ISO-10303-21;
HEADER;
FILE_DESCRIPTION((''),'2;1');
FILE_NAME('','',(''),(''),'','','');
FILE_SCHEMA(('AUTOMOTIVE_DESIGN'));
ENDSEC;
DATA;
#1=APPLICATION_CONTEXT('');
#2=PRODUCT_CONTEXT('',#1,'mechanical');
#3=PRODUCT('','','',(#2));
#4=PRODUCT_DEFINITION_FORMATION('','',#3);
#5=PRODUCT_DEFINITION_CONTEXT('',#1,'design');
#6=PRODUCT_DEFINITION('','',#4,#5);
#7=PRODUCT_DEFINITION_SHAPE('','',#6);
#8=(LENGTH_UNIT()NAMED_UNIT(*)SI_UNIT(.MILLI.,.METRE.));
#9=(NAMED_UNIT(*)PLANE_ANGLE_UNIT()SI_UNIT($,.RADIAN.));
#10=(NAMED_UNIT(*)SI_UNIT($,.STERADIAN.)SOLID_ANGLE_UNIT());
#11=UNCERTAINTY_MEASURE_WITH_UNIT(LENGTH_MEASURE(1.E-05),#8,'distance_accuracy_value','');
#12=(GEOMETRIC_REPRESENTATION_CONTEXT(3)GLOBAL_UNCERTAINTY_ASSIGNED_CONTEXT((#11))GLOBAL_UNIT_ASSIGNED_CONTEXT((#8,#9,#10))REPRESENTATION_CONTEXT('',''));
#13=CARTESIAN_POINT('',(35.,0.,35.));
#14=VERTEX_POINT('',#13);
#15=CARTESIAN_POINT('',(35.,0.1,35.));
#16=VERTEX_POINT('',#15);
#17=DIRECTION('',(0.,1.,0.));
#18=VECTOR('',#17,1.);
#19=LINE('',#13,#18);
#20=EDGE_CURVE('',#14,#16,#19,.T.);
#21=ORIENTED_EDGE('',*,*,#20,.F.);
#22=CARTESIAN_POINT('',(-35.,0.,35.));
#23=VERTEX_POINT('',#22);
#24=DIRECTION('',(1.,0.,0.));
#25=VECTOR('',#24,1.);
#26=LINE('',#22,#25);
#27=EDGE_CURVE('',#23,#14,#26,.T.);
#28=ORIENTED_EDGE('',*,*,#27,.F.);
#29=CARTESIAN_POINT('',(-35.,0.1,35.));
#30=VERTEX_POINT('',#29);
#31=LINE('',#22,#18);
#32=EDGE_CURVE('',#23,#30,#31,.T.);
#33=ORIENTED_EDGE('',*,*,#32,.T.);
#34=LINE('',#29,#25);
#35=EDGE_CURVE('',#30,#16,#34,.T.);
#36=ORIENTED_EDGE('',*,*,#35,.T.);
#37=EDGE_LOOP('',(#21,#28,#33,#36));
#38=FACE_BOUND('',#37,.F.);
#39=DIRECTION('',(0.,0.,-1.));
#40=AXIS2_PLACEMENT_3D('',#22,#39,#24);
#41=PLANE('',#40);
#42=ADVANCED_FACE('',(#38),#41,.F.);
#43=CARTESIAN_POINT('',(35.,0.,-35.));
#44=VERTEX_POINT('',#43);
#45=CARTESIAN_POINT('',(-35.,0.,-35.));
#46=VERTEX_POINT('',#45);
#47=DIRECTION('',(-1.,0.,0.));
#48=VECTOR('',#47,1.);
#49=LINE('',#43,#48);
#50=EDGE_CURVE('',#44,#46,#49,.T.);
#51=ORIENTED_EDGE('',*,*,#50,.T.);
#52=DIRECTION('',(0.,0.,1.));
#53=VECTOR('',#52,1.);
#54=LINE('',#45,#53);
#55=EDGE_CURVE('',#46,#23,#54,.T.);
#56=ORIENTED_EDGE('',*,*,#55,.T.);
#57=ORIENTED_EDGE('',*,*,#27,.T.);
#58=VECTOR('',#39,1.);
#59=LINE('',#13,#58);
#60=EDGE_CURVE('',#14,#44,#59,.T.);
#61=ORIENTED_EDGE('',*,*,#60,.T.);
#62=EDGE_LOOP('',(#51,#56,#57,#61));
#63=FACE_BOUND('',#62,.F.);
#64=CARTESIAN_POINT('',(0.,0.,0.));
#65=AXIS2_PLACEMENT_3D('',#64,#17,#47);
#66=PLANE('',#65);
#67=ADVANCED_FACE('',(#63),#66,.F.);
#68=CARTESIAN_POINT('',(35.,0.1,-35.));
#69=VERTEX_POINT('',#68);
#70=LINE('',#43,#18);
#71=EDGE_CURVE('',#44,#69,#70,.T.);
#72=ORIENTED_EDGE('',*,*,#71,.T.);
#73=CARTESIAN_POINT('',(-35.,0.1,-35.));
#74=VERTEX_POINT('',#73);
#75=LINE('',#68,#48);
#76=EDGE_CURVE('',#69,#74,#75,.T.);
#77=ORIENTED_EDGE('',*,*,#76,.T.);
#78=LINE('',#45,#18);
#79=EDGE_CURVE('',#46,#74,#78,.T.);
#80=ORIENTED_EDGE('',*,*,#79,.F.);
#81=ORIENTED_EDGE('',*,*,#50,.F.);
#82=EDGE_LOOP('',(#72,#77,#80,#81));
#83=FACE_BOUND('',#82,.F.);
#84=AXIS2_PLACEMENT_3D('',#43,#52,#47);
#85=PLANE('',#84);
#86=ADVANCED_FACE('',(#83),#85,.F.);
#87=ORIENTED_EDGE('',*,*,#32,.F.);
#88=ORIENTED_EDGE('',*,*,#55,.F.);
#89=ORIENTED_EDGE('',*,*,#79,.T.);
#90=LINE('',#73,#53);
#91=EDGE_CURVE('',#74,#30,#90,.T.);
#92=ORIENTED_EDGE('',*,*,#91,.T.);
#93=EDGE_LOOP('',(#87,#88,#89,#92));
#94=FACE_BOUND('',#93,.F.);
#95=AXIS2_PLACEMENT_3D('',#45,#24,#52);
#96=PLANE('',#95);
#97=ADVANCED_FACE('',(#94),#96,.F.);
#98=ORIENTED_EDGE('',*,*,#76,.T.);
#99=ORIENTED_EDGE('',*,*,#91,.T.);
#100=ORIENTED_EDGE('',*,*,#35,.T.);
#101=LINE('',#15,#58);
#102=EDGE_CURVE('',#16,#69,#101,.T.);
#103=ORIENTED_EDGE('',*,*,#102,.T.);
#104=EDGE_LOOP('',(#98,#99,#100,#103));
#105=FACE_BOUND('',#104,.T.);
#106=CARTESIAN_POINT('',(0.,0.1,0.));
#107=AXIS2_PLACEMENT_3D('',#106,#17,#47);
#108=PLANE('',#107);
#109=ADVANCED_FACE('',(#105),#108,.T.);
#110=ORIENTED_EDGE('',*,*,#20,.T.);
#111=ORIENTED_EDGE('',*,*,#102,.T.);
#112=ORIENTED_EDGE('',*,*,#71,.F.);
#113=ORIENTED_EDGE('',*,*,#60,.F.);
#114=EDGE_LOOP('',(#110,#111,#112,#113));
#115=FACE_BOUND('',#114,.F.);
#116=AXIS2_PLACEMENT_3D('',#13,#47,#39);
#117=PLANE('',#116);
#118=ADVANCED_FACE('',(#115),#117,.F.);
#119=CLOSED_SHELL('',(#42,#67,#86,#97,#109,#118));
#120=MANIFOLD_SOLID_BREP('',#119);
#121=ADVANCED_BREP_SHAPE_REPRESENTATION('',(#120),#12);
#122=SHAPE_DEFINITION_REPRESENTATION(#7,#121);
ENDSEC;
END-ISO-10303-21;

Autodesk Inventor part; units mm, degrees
ref_plane "YZ Plane" through (0, 0, 0) normal (1, 0, 0) x (0, 1, 0)
ref_plane "XZ Plane" through (0, 0, 0) normal (0, 1, 0) x (-1, 0, 0)
ref_plane "XY Plane" through (0, 0, 0) normal (0, 0, 1) x (1, 0, 0)
sketch "Sketch1" plane through (0, 0, 0) normal (0, 1, 0) x (-1, 0, 0)
  line L0 (35, 35) -> (-35, 35)
  line L1 (-35, 35) -> (-35, -35)
  line L2 (-35, -35) -> (35, -35)
  line L3 (35, -35) -> (35, 35)
  line L4 (35, 35) -> (-35, -35) construction
  line L5 (-35, 35) -> (35, -35) construction
  point P0 (0, 0)
  dimension "d0" = 70
  dimension "d1" = 70
extrude "Extrusion1" add sketch "Sketch1" along normal blind 0.1
properties part number "electrode"
